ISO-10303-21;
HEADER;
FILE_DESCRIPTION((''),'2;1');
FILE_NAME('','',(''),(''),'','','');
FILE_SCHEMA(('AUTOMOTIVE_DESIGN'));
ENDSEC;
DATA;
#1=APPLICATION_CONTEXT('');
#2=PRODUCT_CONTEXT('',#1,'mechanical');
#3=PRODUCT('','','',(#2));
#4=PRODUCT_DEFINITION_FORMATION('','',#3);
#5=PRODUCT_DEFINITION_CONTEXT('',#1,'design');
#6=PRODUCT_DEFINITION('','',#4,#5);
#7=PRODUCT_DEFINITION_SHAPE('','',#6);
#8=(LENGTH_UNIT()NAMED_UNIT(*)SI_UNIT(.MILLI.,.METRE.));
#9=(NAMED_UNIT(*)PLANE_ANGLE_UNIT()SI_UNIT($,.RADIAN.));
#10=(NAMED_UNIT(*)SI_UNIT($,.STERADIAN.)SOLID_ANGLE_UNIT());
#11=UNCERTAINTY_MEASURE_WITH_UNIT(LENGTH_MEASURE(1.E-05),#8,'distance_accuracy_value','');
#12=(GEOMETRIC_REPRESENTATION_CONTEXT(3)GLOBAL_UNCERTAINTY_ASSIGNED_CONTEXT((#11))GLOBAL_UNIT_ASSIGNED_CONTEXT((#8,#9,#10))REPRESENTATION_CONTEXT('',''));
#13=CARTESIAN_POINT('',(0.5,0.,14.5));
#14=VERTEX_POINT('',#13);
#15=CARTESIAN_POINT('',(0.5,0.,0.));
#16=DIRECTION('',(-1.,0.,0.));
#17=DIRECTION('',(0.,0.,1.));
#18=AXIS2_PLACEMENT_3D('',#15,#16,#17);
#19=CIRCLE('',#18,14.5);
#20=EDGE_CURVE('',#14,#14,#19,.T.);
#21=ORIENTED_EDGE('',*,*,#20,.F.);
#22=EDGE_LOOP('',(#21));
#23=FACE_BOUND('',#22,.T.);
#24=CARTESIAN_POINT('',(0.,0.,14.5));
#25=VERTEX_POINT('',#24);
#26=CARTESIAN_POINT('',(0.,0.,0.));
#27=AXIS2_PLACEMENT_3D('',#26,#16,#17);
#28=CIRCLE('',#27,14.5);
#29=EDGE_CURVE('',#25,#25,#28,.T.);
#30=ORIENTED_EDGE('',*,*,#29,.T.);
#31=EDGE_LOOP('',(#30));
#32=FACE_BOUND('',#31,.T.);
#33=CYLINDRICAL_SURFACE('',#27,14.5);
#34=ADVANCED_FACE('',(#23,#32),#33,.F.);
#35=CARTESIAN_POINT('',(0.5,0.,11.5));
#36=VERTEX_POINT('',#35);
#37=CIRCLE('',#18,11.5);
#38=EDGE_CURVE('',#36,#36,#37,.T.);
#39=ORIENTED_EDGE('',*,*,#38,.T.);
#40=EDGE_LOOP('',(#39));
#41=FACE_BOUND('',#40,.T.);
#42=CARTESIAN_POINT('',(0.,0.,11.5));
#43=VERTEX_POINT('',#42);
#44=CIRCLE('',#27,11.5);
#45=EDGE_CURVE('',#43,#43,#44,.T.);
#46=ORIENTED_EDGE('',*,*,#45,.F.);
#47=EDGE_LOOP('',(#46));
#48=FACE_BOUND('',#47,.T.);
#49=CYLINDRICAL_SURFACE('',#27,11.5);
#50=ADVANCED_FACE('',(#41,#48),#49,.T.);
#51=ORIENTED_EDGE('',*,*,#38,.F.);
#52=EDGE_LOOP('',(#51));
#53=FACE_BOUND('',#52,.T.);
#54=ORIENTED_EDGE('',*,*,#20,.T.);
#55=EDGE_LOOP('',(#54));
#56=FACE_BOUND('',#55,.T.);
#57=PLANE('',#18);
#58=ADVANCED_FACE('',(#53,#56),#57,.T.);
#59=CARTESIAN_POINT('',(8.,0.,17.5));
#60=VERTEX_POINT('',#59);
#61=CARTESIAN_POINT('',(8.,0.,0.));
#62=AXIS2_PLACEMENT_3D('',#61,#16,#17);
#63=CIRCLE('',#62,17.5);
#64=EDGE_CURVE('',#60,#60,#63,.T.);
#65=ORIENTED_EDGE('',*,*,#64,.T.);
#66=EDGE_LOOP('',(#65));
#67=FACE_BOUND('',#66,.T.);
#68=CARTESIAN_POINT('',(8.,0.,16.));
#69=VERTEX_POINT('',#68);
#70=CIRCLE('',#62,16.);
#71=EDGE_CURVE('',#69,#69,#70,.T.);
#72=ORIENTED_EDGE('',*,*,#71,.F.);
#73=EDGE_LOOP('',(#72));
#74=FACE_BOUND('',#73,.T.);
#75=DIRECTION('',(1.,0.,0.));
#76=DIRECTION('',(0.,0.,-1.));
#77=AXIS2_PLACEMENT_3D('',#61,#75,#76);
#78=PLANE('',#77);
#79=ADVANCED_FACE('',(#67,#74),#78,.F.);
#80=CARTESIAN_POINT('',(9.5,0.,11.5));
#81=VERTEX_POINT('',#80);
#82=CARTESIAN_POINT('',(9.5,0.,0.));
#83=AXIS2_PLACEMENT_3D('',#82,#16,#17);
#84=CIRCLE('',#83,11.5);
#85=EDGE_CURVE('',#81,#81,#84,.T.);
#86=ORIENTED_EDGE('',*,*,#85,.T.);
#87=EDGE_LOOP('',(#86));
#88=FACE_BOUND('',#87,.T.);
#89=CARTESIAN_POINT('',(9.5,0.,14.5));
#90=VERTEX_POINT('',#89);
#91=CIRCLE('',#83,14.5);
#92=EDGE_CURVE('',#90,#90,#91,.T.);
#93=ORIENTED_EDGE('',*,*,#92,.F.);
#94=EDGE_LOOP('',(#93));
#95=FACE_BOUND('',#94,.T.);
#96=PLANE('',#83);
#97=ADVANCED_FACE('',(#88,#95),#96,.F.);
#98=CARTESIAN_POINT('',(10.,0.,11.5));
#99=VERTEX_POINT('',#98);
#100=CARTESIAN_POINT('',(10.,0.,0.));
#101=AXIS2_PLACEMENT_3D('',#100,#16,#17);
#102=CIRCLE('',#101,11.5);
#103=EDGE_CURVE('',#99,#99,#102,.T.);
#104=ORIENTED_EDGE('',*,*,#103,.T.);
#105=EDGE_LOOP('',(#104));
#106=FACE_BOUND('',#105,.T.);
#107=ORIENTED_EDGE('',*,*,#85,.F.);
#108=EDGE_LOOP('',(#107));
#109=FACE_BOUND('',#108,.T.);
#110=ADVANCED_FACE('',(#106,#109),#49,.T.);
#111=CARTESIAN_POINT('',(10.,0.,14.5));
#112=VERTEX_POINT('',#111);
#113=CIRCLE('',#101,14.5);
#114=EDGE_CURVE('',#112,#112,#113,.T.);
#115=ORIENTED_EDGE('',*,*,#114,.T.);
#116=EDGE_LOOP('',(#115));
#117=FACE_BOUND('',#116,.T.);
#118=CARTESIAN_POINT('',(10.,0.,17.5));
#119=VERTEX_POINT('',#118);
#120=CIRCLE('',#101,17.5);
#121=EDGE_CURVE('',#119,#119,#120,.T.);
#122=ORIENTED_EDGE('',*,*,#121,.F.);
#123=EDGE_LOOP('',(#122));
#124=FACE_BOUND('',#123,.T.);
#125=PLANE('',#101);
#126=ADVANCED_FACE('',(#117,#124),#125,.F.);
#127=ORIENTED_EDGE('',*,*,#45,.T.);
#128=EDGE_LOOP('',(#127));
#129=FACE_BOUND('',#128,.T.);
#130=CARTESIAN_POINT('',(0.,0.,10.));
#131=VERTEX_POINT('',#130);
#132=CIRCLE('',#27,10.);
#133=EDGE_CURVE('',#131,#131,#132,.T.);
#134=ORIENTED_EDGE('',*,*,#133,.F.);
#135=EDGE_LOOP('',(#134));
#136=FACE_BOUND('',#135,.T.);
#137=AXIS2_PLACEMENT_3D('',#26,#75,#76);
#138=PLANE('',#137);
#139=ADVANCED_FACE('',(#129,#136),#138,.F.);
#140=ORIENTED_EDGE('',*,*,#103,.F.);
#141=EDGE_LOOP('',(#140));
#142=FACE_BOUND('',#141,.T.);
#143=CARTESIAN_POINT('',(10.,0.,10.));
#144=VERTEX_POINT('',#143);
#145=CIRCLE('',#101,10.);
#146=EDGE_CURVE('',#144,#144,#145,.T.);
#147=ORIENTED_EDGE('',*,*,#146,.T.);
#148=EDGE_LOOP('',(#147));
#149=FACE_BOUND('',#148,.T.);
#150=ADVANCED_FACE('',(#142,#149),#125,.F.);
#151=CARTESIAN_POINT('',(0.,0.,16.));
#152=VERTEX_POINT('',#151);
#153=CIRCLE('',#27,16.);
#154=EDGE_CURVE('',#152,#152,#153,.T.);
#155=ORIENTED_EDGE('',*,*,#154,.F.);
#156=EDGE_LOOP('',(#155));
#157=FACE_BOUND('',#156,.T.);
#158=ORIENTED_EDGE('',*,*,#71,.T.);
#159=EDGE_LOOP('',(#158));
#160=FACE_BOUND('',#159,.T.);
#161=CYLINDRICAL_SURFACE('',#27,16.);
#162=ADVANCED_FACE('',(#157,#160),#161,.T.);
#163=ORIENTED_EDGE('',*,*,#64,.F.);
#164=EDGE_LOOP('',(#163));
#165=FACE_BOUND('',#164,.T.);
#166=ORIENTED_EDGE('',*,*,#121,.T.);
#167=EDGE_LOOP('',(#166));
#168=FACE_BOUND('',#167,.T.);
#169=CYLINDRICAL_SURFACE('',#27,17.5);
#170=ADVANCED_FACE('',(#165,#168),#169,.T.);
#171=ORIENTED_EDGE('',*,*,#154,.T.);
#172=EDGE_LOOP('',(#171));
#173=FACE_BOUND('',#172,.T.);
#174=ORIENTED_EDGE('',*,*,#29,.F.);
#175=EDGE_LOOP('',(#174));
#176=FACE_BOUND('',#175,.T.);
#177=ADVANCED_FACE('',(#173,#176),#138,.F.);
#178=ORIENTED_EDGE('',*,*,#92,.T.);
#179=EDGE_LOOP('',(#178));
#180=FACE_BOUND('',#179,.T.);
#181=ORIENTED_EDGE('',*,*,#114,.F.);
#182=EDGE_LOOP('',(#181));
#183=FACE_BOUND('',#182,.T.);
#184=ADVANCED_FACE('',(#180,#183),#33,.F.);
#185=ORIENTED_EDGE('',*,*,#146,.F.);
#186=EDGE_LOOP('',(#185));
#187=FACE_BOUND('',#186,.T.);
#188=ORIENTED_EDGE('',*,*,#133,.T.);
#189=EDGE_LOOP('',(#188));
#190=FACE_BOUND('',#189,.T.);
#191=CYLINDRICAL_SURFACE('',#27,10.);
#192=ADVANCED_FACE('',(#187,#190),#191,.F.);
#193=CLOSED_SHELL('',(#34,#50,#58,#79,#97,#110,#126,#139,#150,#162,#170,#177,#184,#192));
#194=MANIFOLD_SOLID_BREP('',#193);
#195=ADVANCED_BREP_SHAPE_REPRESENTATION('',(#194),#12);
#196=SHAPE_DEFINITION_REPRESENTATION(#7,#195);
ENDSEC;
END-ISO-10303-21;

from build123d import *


with BuildPart() as part:
    # 草图1 → 旋转1 (revolve)
    with BuildSketch(Plane(origin=(0, 0, 0), x_dir=(1, 0, 0), z_dir=(0, 1, 0)), mode=Mode.PRIVATE) as revolve_1_sk:
        Polygon((0, 10), (10, 10), (10, 11.5), (9.5, 11.5), (9.5, 14.5), (10, 14.5), (10, 17.5), (8, 17.5), (8, 16), (0, 16), (0, 14.5), (0.5, 14.5), (0.5, 11.5), (0, 11.5), align=None)
    revolve(revolve_1_sk.sketch.rotate(Axis((0, 0, 0), (1, 0, 0)), 180), axis=Axis((0, 0, 0), (1, 0, 0)))


solid = part.part
